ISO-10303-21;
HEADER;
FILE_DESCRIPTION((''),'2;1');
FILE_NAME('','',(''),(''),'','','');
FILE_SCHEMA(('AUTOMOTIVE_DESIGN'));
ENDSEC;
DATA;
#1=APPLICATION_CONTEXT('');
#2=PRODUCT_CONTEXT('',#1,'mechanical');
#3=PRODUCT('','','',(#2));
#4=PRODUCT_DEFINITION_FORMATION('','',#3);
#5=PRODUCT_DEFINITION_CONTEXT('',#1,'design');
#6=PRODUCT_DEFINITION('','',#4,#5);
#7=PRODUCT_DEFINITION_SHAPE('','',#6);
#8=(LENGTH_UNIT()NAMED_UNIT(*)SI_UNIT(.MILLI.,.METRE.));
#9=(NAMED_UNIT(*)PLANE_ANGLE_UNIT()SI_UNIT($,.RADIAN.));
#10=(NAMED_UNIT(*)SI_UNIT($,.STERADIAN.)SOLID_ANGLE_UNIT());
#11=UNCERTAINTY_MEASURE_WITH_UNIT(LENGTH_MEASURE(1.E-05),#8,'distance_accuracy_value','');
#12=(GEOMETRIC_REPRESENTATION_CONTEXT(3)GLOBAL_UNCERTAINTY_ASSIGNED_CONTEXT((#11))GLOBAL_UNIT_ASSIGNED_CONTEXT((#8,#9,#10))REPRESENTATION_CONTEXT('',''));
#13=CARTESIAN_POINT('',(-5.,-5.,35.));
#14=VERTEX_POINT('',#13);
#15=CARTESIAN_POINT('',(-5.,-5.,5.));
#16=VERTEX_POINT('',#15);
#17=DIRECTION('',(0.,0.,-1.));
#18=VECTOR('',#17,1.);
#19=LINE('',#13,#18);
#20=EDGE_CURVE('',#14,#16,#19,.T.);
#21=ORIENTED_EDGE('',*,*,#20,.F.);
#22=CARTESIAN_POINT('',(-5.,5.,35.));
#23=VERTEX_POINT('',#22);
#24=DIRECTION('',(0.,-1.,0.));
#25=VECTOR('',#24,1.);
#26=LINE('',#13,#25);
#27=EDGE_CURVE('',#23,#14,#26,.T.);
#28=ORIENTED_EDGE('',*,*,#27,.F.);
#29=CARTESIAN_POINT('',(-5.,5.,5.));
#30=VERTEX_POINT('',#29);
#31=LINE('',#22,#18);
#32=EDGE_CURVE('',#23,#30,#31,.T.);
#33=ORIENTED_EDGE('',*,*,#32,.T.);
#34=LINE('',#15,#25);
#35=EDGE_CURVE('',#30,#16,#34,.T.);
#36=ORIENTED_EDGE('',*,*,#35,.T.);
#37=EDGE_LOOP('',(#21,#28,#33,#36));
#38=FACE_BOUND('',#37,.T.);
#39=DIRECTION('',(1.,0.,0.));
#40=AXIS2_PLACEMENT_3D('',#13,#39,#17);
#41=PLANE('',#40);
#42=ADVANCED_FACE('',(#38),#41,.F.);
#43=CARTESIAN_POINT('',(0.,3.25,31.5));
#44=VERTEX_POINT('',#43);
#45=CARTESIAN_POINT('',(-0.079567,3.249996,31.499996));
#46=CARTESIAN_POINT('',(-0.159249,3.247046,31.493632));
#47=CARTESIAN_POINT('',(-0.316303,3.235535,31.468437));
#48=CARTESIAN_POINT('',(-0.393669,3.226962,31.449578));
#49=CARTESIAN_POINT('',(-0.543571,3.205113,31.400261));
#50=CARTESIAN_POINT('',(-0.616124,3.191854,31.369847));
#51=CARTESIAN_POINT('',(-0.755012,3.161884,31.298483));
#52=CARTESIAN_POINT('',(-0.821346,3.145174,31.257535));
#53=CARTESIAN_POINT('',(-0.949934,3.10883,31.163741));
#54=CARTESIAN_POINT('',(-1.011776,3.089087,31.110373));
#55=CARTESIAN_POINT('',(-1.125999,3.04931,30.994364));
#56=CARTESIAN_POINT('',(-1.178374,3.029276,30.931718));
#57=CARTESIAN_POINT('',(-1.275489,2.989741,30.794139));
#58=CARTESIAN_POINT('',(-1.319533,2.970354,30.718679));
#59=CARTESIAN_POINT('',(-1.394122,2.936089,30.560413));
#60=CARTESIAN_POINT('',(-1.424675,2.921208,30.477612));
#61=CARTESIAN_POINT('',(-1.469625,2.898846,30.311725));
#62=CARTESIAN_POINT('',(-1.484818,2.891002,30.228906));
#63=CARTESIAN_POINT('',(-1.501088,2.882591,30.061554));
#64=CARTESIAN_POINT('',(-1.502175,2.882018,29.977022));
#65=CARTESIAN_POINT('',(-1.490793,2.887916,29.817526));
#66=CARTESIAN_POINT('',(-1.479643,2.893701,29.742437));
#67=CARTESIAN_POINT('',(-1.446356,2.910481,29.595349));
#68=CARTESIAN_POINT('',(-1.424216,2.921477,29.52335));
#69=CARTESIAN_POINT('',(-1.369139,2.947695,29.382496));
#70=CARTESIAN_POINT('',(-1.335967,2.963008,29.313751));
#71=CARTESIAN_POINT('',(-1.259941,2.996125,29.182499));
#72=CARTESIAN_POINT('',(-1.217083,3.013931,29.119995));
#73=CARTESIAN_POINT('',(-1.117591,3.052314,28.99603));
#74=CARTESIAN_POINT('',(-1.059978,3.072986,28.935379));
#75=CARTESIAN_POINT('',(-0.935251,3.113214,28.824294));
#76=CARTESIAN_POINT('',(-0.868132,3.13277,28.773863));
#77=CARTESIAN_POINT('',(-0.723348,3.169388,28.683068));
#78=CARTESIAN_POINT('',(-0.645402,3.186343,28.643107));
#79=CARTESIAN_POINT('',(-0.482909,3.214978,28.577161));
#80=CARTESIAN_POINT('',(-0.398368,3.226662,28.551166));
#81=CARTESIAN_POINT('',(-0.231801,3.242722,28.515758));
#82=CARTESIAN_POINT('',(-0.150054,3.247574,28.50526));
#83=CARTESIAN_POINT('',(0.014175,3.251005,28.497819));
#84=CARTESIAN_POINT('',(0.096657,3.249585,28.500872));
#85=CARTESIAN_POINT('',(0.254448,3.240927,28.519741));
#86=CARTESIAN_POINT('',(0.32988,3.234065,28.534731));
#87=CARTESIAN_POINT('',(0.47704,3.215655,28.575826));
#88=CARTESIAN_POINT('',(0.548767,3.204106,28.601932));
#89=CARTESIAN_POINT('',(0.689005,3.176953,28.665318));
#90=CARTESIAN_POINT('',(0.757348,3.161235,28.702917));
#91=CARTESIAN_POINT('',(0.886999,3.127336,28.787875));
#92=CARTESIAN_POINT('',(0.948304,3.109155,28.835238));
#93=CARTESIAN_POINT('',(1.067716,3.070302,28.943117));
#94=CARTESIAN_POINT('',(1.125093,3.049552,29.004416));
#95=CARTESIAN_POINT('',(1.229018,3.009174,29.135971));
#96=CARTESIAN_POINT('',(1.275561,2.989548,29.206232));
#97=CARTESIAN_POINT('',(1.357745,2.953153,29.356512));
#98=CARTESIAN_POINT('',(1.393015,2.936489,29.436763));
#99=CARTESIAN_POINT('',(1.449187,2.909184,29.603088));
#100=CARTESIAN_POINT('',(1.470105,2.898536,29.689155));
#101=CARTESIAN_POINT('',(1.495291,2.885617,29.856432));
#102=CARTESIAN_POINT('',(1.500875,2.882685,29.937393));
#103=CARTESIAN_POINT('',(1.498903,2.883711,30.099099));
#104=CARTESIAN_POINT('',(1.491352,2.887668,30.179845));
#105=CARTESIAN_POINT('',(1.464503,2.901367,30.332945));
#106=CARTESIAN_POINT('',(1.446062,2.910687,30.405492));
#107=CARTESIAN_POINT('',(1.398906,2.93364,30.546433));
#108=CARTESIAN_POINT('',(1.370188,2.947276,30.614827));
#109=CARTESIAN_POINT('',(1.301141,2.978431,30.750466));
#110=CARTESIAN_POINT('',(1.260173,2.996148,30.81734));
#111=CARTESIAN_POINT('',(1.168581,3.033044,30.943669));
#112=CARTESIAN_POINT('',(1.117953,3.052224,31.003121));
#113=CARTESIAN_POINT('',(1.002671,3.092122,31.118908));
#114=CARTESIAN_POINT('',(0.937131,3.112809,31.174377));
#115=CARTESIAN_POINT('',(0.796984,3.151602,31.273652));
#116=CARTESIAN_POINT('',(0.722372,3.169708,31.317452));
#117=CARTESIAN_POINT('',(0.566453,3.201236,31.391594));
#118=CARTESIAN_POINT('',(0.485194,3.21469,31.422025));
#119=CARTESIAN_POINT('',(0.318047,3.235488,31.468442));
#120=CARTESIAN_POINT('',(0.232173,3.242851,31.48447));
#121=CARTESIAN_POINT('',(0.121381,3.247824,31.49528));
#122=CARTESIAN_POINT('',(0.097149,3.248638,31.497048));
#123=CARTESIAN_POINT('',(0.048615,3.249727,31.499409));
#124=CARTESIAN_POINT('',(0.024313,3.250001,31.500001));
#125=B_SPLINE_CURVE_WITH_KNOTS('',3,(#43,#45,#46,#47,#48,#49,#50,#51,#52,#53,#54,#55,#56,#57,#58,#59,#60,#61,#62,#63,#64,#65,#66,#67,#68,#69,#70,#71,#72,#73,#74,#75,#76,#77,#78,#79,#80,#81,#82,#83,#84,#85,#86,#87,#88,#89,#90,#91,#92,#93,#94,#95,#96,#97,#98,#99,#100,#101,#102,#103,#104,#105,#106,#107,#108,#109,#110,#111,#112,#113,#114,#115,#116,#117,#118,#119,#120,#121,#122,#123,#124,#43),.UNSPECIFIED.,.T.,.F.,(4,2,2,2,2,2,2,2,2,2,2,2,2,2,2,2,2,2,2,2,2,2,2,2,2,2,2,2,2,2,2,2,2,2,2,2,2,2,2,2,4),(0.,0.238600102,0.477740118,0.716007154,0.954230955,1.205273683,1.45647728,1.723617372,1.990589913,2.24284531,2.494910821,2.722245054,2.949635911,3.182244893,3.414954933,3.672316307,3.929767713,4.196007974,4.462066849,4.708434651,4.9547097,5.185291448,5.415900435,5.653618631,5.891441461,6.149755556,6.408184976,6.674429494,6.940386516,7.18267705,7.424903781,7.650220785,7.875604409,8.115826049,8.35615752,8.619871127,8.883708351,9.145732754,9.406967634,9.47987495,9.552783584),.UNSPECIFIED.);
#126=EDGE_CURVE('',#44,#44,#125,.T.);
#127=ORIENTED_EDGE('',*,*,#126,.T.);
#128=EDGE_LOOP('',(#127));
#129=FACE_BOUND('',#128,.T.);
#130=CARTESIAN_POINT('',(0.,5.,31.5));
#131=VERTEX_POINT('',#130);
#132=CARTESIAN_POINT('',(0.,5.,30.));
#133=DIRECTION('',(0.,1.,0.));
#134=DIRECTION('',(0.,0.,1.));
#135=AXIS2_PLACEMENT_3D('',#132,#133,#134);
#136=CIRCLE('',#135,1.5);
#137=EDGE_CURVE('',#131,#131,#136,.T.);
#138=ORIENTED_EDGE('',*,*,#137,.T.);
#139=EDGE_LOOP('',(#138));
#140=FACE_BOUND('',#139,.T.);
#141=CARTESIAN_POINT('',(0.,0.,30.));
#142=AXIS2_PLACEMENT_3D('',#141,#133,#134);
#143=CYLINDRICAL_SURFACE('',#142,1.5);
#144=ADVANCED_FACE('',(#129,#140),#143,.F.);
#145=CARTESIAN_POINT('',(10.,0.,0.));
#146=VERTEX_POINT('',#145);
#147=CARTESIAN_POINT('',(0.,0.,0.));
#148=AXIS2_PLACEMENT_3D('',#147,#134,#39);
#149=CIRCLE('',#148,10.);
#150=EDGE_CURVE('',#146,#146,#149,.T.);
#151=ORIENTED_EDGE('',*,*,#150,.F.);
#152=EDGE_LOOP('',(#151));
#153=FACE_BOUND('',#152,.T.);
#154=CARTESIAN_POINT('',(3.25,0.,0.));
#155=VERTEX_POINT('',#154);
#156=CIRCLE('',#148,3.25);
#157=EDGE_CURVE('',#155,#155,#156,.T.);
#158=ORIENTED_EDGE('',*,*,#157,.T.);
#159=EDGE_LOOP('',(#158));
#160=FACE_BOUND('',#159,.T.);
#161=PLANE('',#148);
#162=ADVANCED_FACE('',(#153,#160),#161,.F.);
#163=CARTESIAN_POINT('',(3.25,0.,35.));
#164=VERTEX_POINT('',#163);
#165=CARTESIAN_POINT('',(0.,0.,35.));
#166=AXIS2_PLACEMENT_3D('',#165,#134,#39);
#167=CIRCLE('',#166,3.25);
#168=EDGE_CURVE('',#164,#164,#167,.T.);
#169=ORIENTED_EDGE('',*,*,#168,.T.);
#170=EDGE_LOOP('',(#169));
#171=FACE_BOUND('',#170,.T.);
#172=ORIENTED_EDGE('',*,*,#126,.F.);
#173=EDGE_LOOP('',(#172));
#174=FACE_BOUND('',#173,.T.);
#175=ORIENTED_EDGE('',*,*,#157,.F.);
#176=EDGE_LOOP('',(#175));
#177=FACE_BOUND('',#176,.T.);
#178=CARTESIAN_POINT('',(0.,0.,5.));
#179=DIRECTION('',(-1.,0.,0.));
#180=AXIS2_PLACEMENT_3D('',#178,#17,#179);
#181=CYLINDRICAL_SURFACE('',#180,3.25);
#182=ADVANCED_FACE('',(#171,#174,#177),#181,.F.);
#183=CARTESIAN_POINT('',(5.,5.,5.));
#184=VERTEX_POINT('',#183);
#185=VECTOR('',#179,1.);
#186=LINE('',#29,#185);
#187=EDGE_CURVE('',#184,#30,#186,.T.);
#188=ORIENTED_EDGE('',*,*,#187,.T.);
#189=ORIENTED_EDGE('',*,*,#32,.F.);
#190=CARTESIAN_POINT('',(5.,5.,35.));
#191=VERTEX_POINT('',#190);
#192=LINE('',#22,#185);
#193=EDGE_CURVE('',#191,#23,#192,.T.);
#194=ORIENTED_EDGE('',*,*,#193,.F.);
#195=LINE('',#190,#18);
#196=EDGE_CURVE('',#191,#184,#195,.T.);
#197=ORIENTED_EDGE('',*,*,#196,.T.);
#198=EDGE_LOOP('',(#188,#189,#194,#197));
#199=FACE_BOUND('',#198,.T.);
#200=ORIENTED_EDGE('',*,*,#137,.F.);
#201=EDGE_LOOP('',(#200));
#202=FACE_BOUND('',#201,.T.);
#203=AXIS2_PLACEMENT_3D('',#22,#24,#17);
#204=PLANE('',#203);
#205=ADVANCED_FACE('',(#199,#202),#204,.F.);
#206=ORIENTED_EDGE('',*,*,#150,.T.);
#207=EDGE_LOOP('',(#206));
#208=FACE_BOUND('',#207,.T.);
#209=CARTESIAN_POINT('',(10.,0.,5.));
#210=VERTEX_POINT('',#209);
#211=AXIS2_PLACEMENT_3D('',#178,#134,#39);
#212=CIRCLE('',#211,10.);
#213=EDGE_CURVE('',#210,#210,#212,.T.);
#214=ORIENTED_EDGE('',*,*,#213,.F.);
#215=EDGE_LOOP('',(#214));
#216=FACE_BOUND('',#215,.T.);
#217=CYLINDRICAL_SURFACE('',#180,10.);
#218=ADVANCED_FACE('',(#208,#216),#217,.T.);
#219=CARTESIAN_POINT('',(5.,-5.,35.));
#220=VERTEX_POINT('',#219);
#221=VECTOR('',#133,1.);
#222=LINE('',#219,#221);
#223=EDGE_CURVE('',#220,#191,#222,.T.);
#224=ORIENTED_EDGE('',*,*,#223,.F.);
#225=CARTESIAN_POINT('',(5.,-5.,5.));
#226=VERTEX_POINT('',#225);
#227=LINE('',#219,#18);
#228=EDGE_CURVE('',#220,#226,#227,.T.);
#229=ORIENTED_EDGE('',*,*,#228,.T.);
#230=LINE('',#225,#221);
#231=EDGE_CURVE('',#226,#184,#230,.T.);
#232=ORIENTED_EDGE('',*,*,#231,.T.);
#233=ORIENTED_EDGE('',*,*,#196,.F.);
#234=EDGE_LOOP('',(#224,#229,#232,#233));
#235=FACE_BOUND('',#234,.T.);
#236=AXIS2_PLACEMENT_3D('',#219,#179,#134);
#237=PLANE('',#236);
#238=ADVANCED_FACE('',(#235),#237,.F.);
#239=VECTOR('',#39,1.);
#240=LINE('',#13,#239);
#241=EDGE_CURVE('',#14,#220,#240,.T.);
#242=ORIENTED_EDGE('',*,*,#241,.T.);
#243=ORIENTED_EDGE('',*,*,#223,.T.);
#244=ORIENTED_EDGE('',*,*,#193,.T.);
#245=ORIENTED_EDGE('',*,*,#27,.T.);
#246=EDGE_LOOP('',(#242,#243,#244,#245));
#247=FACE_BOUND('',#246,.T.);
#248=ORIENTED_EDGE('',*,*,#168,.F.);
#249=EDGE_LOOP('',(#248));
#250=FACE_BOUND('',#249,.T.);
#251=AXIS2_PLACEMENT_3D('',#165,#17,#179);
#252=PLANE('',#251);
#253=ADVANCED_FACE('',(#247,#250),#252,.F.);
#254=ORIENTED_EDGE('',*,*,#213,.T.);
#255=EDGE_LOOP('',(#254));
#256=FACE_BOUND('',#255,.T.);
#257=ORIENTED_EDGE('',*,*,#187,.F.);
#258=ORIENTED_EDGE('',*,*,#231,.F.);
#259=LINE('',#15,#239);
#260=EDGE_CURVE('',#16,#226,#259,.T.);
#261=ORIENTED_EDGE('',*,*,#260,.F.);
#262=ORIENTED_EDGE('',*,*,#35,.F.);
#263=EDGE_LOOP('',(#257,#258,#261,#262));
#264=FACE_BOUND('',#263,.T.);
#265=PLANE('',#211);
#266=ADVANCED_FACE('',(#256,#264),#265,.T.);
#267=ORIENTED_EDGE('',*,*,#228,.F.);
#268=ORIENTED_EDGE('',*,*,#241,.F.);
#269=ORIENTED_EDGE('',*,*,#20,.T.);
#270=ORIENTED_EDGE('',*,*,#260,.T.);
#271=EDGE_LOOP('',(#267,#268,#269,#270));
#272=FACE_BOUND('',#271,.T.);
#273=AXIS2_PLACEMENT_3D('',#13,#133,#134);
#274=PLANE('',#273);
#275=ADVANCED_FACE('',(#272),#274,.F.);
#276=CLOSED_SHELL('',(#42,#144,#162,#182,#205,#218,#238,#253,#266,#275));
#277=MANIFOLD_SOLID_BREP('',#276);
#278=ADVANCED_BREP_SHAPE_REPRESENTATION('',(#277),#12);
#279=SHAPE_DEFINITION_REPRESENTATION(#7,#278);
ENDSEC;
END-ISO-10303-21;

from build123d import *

# Parameters (mm, degrees)
SKETCH_1_R          = 10
SKETCH_1_R_2        = 3.25
EXTRUDE_1_DEPTH     = 5
SKETCH_2_W          = 10
SKETCH_2_H          = 10
EXTRUDE_4_DEPTH     = 30
CUT_EXTRUDE_START   = -30
SKETCH_6_R          = 3.25
CUT_EXTRUDE_1_DEPTH = 30
SKETCH_7_R          = 1.5
CUT_EXTRUDE_3_DEPTH = 5


with BuildPart() as part:
    # Эскиз1 → Бобышка-Вытянуть1 (new body)
    with BuildSketch(Plane.XY):
        Circle(SKETCH_1_R)
        Circle(SKETCH_1_R_2, mode=Mode.SUBTRACT)
    extrude(amount=EXTRUDE_1_DEPTH)

    # Эскиз2 → Бобышка-Вытянуть4 (add)
    with BuildSketch(Plane.XY.offset(5)):
        Rectangle(SKETCH_2_W, SKETCH_2_H)
    extrude(amount=EXTRUDE_4_DEPTH)

    # Эскиз6 → Вырез-Вытянуть1 (cut)
    with BuildSketch(Plane.XY.offset(35).offset(CUT_EXTRUDE_START)):
        Circle(SKETCH_6_R)
    extrude(amount=CUT_EXTRUDE_1_DEPTH, mode=Mode.SUBTRACT)

    # Эскиз7 → Вырез-Вытянуть3 (cut)
    with BuildSketch(Plane(origin=(0, 5, 0), x_dir=(1, 0, 0), z_dir=(0, 1, 0))):
        with Locations(Location((0, -30, 0), (0, 0, 270))):
            Circle(SKETCH_7_R)
    extrude(amount=-CUT_EXTRUDE_3_DEPTH, mode=Mode.SUBTRACT)


solid = part.part
